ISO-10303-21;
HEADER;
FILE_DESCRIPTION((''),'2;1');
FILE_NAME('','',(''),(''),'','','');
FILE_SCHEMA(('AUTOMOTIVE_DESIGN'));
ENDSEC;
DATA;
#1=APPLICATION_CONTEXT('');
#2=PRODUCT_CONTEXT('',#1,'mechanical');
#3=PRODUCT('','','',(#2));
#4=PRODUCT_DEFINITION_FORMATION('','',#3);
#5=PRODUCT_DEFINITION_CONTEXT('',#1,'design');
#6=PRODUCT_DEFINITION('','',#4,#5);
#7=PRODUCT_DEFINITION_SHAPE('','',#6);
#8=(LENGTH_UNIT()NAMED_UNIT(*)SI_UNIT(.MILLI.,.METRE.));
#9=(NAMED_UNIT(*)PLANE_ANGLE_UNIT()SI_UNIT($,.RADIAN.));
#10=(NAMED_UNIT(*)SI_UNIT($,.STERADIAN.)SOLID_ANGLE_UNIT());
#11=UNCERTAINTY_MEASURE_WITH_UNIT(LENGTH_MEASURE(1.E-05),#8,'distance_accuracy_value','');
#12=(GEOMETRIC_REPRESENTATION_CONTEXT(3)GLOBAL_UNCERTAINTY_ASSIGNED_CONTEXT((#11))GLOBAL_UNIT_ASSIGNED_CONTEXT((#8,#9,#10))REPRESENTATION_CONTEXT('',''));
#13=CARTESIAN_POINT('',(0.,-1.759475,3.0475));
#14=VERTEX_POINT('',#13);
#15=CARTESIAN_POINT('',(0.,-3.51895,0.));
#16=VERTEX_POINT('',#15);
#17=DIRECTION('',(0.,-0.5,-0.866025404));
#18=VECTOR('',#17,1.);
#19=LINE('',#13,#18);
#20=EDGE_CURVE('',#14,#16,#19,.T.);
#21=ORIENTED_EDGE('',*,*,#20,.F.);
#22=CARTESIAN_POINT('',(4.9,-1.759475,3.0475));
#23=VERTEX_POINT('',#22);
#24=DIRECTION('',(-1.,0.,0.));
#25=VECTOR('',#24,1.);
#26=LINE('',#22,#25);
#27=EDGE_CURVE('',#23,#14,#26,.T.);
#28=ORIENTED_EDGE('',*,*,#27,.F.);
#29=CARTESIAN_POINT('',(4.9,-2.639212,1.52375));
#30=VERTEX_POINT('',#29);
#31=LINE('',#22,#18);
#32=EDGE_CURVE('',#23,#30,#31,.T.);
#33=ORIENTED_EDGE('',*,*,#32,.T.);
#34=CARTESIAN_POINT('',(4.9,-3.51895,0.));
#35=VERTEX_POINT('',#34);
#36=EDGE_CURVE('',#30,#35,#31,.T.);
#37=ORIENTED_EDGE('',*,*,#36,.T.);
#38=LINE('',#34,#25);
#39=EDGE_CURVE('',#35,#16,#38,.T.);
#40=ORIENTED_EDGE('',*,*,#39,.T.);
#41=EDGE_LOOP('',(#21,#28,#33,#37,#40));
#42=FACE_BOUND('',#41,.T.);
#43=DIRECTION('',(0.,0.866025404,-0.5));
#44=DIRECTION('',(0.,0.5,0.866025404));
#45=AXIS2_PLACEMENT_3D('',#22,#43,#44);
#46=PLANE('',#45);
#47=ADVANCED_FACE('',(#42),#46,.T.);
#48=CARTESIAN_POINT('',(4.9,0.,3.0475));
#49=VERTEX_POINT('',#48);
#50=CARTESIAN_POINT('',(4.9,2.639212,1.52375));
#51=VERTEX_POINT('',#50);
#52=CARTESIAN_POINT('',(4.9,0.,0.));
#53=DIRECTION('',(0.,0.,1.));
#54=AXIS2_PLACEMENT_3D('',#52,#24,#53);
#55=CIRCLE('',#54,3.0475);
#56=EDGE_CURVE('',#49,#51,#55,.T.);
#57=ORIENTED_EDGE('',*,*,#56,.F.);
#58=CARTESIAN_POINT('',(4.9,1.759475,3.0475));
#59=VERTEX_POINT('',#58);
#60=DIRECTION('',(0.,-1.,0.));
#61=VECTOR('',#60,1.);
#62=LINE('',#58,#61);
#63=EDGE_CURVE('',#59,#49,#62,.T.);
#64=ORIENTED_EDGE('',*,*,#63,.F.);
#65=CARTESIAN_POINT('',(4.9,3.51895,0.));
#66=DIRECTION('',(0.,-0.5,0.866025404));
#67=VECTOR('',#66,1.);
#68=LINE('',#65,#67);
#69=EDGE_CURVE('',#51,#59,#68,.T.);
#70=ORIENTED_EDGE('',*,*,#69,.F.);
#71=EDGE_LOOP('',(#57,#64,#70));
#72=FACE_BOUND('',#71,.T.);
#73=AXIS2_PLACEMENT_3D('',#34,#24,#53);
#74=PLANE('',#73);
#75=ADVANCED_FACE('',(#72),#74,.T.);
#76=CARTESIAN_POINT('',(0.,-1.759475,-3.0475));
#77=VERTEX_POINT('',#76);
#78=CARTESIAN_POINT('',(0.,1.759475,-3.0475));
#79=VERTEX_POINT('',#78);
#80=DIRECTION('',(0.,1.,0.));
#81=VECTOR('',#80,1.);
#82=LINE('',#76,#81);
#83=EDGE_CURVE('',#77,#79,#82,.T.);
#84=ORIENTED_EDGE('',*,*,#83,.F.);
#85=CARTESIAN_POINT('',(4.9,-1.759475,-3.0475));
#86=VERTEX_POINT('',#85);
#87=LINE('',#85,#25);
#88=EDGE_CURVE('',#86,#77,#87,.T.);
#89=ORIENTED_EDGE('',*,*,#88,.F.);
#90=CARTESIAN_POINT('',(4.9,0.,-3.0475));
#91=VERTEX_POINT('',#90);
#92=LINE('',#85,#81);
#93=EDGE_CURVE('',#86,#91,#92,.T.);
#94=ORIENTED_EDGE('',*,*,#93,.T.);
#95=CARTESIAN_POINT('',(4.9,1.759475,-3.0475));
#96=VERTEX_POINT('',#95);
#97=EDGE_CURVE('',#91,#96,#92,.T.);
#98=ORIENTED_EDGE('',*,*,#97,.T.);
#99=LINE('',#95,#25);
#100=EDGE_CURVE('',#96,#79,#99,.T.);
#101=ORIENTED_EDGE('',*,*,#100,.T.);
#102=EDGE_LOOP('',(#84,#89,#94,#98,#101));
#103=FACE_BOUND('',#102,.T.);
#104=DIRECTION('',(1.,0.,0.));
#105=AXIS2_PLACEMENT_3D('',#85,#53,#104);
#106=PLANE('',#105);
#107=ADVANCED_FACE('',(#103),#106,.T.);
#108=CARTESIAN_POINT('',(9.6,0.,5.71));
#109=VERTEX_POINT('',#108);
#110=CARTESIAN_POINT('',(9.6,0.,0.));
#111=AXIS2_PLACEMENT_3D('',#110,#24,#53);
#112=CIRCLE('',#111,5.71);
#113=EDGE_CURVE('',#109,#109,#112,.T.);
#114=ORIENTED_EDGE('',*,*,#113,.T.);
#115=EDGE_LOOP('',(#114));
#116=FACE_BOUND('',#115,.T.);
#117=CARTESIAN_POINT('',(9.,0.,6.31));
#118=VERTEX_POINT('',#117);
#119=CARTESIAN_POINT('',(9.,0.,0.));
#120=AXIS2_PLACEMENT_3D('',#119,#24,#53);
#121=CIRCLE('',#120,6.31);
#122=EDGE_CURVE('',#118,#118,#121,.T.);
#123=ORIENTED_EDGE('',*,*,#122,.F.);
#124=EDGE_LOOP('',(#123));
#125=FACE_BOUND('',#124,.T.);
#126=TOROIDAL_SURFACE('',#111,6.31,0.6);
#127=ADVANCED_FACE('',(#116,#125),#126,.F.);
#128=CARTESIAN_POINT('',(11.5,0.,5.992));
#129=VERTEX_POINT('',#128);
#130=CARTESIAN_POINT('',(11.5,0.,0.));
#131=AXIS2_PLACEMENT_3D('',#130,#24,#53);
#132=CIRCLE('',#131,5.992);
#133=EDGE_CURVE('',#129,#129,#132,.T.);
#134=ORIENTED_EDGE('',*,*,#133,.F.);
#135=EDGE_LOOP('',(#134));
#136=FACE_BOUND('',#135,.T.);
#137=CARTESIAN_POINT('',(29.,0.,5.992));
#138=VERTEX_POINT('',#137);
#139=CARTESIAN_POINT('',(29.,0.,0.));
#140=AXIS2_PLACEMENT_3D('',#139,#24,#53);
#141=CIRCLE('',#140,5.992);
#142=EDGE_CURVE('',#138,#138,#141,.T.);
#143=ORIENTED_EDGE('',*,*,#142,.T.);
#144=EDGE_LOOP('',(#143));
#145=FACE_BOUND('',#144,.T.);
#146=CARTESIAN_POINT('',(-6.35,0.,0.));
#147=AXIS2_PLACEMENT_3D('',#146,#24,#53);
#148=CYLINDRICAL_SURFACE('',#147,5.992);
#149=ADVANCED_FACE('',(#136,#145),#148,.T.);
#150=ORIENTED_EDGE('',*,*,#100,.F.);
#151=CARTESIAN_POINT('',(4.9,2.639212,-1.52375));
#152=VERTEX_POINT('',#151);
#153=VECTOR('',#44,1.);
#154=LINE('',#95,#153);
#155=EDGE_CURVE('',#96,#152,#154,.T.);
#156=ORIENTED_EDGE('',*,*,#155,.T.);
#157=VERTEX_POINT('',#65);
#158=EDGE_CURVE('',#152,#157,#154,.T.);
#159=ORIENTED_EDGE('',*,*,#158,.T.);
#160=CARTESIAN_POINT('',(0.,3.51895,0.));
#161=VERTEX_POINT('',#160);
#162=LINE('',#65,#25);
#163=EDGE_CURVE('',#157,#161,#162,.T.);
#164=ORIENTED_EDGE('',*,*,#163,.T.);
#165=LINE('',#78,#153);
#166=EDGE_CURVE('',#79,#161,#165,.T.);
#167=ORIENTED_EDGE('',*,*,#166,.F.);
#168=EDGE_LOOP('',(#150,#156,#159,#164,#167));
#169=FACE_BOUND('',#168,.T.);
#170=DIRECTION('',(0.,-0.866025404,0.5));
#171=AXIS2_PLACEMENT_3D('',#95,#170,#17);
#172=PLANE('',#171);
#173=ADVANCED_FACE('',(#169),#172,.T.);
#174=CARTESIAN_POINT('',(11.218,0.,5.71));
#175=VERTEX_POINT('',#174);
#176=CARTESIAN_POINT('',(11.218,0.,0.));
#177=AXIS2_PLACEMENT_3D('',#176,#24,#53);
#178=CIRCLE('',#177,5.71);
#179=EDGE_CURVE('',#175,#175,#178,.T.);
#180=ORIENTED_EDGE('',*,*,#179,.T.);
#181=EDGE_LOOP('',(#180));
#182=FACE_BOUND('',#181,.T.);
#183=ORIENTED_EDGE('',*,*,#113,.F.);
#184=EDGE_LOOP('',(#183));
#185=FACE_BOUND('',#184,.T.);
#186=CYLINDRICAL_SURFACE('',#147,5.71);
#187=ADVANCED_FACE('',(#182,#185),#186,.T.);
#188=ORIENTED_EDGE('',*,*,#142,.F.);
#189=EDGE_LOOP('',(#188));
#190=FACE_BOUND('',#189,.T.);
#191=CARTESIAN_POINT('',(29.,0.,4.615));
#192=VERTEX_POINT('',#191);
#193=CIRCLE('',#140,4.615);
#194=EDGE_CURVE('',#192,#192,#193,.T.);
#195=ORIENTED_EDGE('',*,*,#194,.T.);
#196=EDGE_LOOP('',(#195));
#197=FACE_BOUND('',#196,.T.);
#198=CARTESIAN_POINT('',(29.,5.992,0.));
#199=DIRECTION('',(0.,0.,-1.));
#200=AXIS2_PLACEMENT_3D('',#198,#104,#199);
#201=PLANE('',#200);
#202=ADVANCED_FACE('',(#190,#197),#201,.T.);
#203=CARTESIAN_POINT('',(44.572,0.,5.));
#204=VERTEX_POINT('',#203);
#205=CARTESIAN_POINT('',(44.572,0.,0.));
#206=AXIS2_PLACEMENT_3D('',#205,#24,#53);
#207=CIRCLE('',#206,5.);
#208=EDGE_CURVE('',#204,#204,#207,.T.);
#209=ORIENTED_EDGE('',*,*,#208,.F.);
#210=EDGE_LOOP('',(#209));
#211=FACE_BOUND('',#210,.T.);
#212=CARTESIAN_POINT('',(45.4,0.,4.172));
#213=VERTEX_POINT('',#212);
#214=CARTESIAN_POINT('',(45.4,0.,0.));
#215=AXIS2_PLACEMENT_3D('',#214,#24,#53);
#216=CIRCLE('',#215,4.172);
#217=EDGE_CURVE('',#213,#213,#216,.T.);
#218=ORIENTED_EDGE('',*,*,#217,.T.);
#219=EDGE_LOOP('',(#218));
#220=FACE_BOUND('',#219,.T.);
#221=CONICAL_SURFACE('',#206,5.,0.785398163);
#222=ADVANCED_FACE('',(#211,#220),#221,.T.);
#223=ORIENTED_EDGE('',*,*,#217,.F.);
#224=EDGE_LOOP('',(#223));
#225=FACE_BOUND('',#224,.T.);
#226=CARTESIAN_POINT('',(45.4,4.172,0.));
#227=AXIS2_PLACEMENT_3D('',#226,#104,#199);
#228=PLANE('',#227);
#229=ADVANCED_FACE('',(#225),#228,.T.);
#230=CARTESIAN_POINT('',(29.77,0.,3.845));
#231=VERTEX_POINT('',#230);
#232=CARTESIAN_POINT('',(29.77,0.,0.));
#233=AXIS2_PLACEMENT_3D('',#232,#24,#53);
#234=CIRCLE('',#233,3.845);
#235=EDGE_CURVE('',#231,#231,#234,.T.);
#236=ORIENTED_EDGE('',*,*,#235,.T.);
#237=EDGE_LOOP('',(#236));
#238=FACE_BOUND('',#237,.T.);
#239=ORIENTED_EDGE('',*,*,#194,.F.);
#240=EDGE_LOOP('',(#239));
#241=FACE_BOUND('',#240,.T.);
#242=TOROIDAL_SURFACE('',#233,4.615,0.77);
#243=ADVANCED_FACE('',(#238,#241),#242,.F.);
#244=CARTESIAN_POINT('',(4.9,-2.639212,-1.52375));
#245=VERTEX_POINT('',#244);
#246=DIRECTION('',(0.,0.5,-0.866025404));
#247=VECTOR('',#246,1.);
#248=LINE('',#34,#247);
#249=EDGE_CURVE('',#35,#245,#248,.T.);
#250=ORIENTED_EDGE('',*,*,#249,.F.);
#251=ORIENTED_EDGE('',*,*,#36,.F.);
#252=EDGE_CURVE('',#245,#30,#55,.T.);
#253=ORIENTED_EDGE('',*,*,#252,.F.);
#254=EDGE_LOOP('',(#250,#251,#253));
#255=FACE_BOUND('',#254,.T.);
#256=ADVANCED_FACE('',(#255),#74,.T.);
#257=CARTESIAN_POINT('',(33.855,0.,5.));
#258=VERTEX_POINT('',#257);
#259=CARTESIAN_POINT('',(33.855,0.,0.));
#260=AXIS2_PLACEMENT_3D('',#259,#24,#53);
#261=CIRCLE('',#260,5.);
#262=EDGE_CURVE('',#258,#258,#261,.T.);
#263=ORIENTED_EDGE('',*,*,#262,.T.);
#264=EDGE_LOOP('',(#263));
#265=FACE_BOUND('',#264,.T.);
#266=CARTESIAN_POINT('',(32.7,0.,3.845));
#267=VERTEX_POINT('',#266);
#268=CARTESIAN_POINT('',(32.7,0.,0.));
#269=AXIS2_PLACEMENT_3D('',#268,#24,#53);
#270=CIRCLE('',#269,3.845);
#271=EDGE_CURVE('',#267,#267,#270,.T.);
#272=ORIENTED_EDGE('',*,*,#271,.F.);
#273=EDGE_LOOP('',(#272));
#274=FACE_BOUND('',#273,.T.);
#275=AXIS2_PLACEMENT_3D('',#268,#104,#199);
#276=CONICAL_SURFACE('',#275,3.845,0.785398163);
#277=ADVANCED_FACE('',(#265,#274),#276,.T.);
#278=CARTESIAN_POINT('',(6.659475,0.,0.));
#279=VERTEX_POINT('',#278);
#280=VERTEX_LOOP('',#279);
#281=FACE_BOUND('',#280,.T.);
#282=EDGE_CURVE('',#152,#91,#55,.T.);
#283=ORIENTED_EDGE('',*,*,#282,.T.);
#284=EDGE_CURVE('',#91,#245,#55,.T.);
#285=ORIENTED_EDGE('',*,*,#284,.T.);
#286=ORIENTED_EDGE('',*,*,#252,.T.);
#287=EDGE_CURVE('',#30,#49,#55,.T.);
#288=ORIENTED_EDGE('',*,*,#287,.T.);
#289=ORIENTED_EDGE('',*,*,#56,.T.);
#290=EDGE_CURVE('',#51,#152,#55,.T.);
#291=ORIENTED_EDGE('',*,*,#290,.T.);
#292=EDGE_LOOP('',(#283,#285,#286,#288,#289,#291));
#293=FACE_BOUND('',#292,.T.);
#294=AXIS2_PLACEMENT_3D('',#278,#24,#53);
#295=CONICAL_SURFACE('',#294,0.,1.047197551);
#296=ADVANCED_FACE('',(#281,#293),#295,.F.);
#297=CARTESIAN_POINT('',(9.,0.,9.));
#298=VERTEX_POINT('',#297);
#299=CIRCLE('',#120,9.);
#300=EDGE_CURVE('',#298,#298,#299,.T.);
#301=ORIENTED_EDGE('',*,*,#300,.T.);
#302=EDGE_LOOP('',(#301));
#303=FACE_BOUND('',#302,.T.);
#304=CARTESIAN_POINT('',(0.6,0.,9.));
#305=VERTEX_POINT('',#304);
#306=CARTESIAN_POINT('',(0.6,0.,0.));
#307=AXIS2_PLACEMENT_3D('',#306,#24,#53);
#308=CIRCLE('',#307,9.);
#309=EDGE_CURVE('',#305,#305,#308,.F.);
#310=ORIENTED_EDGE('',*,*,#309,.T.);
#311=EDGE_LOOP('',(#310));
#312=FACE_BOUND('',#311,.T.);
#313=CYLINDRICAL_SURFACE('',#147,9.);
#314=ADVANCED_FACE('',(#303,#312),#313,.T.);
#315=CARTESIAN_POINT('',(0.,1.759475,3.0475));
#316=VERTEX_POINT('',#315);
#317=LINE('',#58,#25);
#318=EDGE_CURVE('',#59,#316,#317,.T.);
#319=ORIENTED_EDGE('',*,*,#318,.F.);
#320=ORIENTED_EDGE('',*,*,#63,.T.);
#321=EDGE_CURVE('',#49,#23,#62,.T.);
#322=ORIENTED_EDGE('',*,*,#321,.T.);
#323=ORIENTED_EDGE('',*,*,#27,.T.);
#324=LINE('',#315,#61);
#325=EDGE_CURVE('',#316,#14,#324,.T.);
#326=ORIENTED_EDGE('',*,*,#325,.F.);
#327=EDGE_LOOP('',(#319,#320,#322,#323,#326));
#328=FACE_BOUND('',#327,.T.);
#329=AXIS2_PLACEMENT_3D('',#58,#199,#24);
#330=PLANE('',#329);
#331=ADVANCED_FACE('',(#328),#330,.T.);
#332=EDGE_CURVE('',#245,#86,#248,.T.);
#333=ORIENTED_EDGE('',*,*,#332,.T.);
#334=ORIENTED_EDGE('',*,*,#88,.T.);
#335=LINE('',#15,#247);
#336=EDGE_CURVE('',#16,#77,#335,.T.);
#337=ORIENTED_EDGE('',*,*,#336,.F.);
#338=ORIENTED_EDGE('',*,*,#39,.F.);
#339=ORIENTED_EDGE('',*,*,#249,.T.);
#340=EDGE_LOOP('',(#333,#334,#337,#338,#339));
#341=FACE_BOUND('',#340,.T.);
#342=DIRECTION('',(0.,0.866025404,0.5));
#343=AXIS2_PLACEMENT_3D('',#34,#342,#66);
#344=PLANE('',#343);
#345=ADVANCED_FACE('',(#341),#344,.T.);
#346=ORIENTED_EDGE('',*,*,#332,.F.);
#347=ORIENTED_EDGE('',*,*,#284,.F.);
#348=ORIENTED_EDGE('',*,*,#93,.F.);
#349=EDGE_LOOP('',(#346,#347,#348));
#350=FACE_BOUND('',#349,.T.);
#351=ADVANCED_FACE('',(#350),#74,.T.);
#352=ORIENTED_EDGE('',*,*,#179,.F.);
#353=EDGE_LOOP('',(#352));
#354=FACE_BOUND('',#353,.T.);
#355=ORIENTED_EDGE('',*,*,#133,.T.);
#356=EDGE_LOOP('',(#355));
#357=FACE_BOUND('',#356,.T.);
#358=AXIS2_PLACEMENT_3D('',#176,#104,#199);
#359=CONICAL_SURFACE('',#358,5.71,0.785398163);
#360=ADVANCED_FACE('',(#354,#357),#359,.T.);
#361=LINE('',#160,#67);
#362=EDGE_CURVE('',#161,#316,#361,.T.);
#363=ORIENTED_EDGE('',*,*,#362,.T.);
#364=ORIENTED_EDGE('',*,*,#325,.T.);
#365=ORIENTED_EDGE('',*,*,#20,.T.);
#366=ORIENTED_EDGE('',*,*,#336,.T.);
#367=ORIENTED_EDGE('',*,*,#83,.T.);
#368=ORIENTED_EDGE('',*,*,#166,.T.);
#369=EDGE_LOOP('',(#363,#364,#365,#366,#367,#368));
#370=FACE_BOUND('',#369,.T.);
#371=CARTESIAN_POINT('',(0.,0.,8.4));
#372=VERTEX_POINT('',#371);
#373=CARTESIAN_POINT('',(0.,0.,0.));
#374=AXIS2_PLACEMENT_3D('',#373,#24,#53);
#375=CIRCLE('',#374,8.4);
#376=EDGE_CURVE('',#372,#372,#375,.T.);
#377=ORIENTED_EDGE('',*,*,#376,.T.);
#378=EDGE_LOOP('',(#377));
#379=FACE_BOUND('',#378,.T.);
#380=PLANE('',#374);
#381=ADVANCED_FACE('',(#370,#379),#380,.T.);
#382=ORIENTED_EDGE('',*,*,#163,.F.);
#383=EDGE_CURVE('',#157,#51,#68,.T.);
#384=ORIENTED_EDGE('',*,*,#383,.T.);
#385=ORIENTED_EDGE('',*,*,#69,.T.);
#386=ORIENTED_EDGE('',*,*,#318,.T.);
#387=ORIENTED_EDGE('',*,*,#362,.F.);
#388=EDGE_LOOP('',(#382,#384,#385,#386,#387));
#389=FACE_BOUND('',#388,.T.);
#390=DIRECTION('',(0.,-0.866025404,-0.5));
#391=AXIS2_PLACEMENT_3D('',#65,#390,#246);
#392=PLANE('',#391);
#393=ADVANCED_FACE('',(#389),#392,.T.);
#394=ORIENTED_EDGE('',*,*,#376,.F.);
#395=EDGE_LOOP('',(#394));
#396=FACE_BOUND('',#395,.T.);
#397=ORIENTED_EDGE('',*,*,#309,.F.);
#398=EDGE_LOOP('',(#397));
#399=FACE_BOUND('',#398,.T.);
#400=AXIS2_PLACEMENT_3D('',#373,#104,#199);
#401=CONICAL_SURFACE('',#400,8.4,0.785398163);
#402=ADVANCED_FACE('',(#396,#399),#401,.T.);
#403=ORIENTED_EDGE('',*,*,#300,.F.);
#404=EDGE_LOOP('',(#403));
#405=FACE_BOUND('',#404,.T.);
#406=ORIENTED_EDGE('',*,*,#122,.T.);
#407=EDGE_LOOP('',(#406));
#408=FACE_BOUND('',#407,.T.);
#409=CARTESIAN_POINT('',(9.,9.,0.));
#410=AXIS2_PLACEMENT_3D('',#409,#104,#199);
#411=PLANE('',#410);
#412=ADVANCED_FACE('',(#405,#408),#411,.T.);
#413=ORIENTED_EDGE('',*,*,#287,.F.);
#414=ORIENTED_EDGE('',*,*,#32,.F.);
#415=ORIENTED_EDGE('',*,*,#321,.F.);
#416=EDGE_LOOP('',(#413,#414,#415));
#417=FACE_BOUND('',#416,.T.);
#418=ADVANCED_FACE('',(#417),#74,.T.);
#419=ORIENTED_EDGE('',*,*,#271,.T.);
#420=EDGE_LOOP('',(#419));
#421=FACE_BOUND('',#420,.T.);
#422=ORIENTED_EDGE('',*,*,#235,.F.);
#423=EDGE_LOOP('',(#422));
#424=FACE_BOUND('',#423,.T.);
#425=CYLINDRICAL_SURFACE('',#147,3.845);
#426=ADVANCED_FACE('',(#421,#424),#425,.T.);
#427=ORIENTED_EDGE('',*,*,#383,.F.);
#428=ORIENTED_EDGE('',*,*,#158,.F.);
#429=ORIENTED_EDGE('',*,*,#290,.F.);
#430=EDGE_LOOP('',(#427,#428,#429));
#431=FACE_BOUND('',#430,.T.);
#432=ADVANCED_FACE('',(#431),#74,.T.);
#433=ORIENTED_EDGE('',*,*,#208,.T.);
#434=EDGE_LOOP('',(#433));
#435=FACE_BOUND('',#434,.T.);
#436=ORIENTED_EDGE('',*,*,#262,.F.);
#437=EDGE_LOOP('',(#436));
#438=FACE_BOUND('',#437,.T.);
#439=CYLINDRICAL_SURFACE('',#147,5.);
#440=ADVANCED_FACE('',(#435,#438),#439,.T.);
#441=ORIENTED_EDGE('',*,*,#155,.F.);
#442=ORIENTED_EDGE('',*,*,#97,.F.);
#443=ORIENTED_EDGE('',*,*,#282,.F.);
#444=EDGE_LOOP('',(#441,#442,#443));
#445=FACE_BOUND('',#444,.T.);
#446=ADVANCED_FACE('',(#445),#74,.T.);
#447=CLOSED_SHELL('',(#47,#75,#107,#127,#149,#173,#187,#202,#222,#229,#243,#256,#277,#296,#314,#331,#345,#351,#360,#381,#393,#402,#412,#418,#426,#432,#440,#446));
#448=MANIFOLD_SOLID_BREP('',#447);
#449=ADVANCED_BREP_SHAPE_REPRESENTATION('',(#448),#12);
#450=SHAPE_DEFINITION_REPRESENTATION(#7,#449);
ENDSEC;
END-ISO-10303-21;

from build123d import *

# Parameters (mm, degrees)
CHAMFER1_SIZE = 0.6
HEX_2_DEPTH   = 4.9


with BuildPart() as part:
    # BodySke → BaseBody (revolve)
    with BuildSketch(Plane.XY):
        with BuildLine():
            Line((0, 0), (0, 9))
            Line((0, 9), (9, 9))
            Line((9, 9), (9, 6.31))
            ThreePointArc((9, 6.31), (9.175735931, 5.885735931), (9.6, 5.71))
            Line((9.6, 5.71), (11.218, 5.71))
            Line((11.218, 5.71), (11.5, 5.992))
            Line((11.5, 5.992), (29, 5.992))
            Line((29, 5.992), (29, 4.615))
            ThreePointArc((29, 4.615), (29.225527778, 4.070527778), (29.77, 3.845))
            Line((29.77, 3.845), (32.7, 3.845))
            Line((32.7, 3.845), (33.855, 5))
            Line((33.855, 5), (44.572, 5))
            Line((44.572, 5), (45.4, 4.172))
            Line((45.4, 4.172), (45.4, 0))
            Line((45.4, 0), (0, 0))
        make_face()
    revolve(axis=Axis((-6.35, 0, 0), (1, 0, 0)))

    # Chamfer1
    chamfer1_edges = [part.edges().sort_by_distance(p)[0] for p in [
        (0, -9, 0),
    ]]
    chamfer(chamfer1_edges, length=CHAMFER1_SIZE)

    # Sketch2 → PreBroach (revolve, cut)
    with BuildSketch(Plane.XY):
        Polygon((0, 3.0475), (4.9, 3.0475), (6.659474945, 0), (0, 0), align=None)
    revolve(axis=Axis((0, 0, 0), (1, 0, 0)), mode=Mode.SUBTRACT)

    # Sketch3 → Hex 2 (cut)
    with BuildSketch(Plane.ZY):
        Polygon((-3.0475, -1.759474945), (-3.0475, 1.759474945), (0, 3.518949891), (3.0475, 1.759474945), (3.0475, -1.759474945), (0, -3.518949891), align=None)
    extrude(amount=-HEX_2_DEPTH, mode=Mode.SUBTRACT)


solid = part.part
